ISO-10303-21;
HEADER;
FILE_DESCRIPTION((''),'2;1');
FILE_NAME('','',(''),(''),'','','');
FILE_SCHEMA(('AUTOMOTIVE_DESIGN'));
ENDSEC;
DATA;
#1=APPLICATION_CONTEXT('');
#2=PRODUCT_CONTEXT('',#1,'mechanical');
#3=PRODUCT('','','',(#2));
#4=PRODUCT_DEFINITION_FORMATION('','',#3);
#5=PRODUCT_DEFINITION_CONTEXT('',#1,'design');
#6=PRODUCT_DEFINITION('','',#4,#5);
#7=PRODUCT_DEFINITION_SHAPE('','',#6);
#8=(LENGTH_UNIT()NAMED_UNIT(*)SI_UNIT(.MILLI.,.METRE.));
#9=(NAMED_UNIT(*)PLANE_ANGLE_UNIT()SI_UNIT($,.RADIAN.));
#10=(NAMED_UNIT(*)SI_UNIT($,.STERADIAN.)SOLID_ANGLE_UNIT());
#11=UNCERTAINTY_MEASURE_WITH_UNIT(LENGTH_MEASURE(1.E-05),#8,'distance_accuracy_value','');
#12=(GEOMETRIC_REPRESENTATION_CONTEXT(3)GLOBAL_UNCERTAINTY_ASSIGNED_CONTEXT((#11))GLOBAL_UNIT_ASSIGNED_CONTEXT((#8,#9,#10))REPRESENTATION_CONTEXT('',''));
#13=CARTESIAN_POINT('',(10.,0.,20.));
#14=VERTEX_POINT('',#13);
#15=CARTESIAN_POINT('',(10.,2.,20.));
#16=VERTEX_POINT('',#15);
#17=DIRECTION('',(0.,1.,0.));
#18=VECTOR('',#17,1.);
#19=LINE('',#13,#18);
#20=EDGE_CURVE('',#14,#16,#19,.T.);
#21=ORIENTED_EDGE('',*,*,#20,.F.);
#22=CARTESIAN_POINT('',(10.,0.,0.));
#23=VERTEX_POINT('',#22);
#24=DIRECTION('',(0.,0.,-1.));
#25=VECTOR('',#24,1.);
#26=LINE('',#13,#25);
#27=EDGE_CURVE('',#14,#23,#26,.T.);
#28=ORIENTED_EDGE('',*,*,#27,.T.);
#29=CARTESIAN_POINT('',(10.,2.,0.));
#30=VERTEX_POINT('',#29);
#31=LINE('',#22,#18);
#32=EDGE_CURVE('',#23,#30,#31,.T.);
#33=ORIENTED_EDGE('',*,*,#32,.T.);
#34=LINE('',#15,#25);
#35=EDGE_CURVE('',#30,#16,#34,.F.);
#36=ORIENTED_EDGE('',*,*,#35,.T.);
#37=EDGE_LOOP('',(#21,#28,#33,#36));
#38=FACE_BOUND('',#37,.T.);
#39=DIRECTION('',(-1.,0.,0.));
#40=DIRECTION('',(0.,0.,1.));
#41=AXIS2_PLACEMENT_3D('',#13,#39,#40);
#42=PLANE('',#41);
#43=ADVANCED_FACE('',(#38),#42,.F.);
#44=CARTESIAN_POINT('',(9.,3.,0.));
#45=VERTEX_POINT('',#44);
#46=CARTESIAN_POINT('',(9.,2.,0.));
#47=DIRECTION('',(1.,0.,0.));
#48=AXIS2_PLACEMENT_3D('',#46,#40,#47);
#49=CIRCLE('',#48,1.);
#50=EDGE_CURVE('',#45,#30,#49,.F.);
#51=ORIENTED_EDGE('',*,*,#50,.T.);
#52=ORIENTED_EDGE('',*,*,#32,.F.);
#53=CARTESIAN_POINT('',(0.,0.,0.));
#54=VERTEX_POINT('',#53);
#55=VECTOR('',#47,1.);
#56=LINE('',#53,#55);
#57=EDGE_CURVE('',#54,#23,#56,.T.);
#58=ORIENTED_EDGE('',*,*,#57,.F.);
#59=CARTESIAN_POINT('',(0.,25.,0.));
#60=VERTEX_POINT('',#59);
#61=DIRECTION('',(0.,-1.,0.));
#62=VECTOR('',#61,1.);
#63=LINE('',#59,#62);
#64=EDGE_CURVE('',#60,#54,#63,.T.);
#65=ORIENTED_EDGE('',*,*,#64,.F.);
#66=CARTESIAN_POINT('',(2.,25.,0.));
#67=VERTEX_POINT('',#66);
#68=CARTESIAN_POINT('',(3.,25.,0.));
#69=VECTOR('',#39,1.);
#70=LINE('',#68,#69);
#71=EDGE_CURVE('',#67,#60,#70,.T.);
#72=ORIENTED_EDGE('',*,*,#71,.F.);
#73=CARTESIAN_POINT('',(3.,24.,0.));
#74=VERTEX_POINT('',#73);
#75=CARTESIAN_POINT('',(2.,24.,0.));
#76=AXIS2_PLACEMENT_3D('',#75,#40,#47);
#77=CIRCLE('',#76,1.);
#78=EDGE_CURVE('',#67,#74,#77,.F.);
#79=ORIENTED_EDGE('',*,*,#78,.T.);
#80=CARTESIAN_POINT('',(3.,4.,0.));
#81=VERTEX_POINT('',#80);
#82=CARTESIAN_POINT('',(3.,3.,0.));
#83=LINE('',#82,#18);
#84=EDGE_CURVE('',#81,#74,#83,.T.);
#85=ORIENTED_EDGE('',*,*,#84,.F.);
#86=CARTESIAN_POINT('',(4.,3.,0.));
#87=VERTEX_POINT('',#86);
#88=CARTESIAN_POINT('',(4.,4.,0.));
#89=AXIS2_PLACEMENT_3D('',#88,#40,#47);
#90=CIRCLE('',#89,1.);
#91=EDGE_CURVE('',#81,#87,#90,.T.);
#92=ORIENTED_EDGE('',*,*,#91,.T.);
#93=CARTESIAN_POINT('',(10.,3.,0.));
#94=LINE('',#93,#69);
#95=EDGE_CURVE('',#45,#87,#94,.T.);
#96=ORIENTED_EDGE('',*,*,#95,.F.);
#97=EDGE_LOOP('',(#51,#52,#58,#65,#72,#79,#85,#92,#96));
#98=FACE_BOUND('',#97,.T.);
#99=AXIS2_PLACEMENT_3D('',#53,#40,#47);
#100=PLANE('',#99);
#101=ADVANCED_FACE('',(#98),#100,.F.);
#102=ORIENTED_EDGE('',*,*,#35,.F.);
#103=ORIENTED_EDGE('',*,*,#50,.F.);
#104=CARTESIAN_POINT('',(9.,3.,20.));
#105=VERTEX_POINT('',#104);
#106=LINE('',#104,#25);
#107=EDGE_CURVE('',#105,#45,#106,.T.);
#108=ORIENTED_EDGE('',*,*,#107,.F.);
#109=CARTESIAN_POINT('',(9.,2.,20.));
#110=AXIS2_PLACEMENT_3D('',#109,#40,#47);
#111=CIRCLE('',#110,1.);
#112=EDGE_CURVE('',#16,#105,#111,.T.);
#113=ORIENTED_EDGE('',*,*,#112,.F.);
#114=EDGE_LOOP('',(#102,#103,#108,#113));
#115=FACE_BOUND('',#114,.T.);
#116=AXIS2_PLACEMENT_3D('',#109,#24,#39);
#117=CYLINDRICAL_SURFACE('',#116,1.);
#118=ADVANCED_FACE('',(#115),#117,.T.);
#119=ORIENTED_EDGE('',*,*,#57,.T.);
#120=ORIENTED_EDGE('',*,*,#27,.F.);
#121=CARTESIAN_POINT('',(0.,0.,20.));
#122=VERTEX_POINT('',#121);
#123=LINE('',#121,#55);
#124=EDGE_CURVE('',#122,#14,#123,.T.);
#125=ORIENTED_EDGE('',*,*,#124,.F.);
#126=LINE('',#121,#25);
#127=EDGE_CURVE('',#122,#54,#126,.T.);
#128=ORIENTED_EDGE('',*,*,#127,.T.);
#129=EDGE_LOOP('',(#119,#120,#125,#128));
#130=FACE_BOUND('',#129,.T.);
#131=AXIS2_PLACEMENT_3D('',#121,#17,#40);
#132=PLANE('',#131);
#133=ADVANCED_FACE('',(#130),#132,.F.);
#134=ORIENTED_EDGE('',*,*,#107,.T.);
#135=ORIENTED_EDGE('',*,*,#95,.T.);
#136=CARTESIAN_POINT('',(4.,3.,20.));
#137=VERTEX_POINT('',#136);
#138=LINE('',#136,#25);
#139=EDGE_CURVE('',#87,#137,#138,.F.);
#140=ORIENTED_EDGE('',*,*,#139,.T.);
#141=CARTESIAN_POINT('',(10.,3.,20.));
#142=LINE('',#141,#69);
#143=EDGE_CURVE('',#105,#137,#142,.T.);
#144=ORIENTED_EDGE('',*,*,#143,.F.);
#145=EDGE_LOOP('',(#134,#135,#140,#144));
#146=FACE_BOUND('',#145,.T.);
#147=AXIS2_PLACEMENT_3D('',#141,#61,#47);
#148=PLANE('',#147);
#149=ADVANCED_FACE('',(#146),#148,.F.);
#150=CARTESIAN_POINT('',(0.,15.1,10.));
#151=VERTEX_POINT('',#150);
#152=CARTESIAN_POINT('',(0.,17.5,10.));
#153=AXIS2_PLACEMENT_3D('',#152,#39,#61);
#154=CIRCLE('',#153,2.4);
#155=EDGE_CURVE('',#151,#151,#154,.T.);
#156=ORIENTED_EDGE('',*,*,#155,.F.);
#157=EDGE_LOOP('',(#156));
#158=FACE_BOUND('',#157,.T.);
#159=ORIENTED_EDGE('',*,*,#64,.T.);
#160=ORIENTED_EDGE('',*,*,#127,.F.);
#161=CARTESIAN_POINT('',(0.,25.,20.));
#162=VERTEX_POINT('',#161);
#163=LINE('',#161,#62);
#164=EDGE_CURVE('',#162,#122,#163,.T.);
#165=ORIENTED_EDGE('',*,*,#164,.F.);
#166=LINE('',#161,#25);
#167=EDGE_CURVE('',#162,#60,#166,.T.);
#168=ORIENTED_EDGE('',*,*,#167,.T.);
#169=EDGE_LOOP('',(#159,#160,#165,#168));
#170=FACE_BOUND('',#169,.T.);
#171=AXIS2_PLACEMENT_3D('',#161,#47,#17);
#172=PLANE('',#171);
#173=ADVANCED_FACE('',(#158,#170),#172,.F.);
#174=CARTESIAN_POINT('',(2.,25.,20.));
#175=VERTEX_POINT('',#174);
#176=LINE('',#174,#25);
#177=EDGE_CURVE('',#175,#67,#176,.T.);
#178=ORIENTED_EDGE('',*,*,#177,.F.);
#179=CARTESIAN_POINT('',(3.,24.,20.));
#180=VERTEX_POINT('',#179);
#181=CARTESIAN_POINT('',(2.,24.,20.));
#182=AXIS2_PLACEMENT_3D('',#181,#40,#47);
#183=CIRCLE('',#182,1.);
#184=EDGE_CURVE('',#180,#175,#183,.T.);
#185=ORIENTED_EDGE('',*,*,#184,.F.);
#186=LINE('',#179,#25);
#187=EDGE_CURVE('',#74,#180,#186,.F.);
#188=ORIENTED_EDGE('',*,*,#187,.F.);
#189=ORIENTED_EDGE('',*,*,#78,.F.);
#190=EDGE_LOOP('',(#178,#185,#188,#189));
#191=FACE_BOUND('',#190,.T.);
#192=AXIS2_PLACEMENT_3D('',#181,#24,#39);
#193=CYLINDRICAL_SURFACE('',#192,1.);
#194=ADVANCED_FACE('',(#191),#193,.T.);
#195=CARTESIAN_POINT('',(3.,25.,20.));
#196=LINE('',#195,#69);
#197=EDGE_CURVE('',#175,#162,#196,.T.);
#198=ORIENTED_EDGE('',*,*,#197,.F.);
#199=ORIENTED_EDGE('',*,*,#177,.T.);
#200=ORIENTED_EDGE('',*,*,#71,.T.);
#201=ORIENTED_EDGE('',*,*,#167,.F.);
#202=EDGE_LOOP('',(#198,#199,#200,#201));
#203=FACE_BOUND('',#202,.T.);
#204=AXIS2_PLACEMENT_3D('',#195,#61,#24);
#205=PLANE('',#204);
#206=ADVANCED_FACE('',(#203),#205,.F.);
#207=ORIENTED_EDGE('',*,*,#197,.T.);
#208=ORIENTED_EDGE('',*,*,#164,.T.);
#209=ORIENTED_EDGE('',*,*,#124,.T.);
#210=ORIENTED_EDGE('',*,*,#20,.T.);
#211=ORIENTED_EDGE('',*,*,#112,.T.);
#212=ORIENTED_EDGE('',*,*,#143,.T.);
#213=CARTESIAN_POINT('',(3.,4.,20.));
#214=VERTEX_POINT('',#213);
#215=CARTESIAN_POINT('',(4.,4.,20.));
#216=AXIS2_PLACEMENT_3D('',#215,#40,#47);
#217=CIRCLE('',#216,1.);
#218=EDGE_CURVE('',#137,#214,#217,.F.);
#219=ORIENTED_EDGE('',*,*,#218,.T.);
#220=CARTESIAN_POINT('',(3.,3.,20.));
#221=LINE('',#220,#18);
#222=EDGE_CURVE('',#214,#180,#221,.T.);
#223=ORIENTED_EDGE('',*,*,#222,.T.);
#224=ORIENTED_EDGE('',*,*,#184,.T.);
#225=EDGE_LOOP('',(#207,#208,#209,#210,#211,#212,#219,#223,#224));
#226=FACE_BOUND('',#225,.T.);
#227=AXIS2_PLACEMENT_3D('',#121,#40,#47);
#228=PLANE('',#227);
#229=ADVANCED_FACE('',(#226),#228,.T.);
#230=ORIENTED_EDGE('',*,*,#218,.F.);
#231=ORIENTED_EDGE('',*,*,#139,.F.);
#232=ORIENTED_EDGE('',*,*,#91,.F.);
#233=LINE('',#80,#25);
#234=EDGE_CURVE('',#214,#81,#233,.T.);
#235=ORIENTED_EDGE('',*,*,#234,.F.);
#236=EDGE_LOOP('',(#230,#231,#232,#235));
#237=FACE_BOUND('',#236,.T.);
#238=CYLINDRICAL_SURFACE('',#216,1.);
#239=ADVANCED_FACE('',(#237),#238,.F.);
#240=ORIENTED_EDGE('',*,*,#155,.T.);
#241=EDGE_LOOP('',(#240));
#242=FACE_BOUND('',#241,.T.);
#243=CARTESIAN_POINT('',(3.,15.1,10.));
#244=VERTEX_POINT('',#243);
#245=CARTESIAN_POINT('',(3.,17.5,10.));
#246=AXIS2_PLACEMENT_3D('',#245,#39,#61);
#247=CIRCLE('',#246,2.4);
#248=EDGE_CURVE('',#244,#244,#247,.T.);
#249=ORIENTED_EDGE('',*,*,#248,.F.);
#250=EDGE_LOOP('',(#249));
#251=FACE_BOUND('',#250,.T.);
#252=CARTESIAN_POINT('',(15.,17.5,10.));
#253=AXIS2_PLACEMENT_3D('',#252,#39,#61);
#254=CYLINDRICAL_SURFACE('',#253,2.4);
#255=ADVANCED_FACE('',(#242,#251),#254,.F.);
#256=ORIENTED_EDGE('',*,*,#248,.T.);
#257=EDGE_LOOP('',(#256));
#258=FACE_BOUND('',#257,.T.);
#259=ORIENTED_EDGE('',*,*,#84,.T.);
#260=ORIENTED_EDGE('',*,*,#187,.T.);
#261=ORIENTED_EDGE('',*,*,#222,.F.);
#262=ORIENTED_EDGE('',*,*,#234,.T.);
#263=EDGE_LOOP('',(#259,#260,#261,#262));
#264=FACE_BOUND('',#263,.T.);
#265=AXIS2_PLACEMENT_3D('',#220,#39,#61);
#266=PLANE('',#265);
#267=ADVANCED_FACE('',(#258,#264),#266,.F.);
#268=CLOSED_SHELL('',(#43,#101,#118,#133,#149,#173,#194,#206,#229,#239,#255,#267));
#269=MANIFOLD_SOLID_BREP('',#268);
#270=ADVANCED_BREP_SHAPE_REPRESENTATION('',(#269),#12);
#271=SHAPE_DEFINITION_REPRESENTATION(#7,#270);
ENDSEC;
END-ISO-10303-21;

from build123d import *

# Parameters (mm, degrees)
EXTRUDE_1_DEPTH     = 20
SKETCH_2_R          = 2.4
CUT_EXTRUDE_1_DEPTH = 15
FILLET_1_R          = 1


with BuildPart() as part:
    # 草图1 → 凸台-拉伸1 (new body)
    with BuildSketch(Plane.XY):
        Polygon((0, 25), (0, 0), (10, 0), (10, 3), (3, 3), (3, 25), align=None)
    extrude(amount=EXTRUDE_1_DEPTH)

    # 草图2 → 切除-拉伸1 (cut)
    with BuildSketch(Plane.ZY):
        with Locations(Location((10, 17.5, 0), (0, 0, 270))):
            Circle(SKETCH_2_R)
    extrude(amount=-CUT_EXTRUDE_1_DEPTH, mode=Mode.SUBTRACT)

    # 圆角1
    fillet_1_edges = [part.edges().sort_by_distance(p)[0] for p in [
        (3, 25, 10),
        (3, 3, 10),
        (10, 3, 10),
    ]]
    fillet(fillet_1_edges, radius=FILLET_1_R)


solid = part.part
